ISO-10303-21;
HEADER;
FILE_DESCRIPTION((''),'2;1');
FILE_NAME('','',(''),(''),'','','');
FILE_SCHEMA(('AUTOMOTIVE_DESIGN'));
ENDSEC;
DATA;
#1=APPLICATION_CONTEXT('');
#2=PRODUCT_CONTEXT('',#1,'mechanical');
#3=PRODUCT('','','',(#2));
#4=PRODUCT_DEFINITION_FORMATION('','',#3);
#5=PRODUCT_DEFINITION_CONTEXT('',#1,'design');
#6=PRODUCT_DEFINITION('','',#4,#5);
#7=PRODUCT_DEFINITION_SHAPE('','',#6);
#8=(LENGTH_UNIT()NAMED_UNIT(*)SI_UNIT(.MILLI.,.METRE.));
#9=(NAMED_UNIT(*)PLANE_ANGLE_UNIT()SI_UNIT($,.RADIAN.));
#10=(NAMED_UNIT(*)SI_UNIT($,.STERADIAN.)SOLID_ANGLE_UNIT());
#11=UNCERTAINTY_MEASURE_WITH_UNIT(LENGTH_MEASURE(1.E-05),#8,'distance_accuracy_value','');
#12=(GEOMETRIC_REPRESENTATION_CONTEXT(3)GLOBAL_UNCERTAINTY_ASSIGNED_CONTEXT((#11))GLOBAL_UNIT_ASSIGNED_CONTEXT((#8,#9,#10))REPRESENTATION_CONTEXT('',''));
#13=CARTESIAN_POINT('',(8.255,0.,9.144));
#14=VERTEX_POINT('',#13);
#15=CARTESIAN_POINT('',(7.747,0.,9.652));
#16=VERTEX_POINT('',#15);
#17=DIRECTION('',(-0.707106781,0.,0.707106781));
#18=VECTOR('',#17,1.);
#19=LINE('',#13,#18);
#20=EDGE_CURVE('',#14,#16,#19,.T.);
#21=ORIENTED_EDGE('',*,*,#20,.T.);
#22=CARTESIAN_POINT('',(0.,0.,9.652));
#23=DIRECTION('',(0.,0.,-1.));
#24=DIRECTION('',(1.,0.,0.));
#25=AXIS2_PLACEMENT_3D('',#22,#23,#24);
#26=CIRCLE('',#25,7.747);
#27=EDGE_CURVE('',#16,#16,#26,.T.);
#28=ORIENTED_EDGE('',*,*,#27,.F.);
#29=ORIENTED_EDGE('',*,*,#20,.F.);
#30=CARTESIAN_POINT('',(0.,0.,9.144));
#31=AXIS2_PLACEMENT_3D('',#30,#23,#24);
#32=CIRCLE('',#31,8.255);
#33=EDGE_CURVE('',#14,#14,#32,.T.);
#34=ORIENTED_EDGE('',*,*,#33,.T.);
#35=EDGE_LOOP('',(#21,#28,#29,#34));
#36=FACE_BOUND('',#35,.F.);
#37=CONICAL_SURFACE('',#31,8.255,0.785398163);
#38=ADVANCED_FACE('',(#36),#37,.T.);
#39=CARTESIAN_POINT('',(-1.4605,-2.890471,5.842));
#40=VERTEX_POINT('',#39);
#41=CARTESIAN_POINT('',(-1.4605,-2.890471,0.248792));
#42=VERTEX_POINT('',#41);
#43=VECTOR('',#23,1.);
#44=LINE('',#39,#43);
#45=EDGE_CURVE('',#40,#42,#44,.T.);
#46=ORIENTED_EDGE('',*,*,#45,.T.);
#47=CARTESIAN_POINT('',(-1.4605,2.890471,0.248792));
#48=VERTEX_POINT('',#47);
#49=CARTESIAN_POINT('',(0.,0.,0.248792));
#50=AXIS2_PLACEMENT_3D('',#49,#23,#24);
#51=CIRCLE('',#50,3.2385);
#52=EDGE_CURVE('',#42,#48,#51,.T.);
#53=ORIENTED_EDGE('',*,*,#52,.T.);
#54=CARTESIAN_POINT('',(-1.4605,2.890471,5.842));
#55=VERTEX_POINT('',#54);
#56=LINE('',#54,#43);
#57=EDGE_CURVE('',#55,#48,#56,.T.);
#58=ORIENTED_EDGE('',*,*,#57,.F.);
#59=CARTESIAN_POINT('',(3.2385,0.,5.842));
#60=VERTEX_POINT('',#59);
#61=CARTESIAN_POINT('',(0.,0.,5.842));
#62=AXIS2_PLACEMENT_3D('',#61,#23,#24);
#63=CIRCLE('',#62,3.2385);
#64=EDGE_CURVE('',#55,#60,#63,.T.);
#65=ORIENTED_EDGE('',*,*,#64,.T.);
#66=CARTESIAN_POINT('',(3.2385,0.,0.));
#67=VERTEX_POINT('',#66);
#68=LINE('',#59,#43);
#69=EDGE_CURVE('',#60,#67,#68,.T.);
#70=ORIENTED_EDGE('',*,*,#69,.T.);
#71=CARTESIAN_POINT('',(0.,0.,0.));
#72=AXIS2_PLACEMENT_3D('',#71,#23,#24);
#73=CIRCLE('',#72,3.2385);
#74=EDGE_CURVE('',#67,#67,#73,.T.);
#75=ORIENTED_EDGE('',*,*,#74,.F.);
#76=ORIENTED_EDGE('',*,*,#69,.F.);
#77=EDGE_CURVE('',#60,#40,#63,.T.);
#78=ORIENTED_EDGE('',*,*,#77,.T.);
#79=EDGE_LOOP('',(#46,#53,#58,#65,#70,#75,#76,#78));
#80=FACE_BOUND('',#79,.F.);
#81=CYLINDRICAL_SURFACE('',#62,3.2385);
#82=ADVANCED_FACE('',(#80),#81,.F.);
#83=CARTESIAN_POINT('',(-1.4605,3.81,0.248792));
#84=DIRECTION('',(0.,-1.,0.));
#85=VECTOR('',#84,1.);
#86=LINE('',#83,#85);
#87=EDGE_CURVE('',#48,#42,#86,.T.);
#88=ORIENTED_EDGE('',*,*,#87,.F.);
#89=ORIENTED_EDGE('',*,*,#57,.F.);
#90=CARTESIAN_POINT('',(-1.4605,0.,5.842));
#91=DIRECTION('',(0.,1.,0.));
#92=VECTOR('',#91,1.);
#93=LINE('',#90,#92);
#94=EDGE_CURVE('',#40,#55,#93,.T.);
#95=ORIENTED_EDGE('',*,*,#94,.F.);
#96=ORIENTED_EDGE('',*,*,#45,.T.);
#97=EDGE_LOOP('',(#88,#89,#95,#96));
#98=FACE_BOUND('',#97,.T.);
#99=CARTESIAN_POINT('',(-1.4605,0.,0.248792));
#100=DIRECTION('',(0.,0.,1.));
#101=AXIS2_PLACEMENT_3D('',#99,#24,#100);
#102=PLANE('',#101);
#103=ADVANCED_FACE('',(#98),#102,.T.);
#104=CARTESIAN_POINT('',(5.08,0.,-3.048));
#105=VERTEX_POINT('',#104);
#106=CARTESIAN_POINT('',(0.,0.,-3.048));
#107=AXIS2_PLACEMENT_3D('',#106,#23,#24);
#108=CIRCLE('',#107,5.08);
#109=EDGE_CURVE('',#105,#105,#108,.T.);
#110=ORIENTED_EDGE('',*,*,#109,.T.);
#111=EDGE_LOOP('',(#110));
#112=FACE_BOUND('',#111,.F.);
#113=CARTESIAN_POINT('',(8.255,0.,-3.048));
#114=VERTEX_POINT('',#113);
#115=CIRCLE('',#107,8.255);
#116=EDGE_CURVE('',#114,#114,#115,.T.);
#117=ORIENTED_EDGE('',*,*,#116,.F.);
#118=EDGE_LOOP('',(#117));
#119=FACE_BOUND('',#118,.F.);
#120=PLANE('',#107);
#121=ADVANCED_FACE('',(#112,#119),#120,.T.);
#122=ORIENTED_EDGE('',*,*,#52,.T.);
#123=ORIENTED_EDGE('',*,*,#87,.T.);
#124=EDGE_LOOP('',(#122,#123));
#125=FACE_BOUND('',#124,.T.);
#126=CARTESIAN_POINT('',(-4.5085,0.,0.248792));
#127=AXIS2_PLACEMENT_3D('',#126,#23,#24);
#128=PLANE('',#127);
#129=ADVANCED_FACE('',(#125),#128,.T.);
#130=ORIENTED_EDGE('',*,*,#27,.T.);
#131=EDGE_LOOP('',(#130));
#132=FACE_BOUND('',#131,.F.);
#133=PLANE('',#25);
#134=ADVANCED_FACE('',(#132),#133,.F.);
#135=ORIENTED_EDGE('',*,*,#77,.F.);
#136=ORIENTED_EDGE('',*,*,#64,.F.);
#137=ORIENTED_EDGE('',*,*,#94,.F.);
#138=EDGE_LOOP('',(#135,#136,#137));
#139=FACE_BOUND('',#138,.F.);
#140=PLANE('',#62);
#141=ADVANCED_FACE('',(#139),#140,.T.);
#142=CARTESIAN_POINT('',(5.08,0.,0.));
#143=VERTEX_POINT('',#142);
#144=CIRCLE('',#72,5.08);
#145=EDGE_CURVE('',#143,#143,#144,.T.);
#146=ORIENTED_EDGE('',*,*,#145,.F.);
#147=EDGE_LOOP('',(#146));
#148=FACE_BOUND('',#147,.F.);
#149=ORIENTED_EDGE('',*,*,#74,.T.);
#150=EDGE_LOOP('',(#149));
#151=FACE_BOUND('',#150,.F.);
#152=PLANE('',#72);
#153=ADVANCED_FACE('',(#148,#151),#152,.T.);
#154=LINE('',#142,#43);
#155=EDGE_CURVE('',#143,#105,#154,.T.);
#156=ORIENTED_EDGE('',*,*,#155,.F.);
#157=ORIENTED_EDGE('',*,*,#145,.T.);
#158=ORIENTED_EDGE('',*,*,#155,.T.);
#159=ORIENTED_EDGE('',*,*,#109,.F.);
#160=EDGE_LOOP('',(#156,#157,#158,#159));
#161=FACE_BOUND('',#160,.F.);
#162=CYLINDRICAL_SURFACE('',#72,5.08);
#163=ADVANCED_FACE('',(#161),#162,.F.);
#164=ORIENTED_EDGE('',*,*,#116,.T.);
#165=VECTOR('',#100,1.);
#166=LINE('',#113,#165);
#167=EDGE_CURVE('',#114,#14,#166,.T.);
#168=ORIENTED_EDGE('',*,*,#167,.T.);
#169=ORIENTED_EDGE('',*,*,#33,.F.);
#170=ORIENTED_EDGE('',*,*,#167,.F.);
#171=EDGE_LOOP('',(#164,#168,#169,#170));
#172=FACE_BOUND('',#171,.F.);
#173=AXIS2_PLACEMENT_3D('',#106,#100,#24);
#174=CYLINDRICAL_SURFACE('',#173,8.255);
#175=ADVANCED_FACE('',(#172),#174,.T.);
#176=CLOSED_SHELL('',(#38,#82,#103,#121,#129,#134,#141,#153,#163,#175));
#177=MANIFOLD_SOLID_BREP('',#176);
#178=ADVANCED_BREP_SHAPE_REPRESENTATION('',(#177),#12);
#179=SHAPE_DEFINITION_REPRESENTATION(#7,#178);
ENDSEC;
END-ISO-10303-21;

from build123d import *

# Parameters (mm, degrees)
F0_W     = 3.048
F0_H     = 5.842
F2_DEPTH = 3.81
F3_SIZE  = 0.508


with BuildPart() as f1:
    # F0 (on Front) → F1 (revolve)
    with BuildSketch(Plane.XZ):
        Polygon((0, 9.652), (0, 5.842), (3.2385, 5.842), (3.2385, 0), (5.08, 0), (5.08, -3.048), (8.255, -3.048), (8.255, 9.652), align=None)
    revolve(axis=Axis((0, 0, 7.747), (0, 0, -1)))

    # F0 (on Front) → F2 (join, symmetric)
    with BuildSketch(Plane.XZ):
        with Locations((-2.9845, 3.1697918537)):
            Rectangle(F0_W, F0_H)
    extrude(amount=F2_DEPTH, both=True)

    # F3
    f3_edges = [f1.edges().sort_by_distance(p)[0] for p in [
        (-8.255, 0, 9.652),
    ]]
    chamfer(f3_edges, length=F3_SIZE)


solid = f1.part
